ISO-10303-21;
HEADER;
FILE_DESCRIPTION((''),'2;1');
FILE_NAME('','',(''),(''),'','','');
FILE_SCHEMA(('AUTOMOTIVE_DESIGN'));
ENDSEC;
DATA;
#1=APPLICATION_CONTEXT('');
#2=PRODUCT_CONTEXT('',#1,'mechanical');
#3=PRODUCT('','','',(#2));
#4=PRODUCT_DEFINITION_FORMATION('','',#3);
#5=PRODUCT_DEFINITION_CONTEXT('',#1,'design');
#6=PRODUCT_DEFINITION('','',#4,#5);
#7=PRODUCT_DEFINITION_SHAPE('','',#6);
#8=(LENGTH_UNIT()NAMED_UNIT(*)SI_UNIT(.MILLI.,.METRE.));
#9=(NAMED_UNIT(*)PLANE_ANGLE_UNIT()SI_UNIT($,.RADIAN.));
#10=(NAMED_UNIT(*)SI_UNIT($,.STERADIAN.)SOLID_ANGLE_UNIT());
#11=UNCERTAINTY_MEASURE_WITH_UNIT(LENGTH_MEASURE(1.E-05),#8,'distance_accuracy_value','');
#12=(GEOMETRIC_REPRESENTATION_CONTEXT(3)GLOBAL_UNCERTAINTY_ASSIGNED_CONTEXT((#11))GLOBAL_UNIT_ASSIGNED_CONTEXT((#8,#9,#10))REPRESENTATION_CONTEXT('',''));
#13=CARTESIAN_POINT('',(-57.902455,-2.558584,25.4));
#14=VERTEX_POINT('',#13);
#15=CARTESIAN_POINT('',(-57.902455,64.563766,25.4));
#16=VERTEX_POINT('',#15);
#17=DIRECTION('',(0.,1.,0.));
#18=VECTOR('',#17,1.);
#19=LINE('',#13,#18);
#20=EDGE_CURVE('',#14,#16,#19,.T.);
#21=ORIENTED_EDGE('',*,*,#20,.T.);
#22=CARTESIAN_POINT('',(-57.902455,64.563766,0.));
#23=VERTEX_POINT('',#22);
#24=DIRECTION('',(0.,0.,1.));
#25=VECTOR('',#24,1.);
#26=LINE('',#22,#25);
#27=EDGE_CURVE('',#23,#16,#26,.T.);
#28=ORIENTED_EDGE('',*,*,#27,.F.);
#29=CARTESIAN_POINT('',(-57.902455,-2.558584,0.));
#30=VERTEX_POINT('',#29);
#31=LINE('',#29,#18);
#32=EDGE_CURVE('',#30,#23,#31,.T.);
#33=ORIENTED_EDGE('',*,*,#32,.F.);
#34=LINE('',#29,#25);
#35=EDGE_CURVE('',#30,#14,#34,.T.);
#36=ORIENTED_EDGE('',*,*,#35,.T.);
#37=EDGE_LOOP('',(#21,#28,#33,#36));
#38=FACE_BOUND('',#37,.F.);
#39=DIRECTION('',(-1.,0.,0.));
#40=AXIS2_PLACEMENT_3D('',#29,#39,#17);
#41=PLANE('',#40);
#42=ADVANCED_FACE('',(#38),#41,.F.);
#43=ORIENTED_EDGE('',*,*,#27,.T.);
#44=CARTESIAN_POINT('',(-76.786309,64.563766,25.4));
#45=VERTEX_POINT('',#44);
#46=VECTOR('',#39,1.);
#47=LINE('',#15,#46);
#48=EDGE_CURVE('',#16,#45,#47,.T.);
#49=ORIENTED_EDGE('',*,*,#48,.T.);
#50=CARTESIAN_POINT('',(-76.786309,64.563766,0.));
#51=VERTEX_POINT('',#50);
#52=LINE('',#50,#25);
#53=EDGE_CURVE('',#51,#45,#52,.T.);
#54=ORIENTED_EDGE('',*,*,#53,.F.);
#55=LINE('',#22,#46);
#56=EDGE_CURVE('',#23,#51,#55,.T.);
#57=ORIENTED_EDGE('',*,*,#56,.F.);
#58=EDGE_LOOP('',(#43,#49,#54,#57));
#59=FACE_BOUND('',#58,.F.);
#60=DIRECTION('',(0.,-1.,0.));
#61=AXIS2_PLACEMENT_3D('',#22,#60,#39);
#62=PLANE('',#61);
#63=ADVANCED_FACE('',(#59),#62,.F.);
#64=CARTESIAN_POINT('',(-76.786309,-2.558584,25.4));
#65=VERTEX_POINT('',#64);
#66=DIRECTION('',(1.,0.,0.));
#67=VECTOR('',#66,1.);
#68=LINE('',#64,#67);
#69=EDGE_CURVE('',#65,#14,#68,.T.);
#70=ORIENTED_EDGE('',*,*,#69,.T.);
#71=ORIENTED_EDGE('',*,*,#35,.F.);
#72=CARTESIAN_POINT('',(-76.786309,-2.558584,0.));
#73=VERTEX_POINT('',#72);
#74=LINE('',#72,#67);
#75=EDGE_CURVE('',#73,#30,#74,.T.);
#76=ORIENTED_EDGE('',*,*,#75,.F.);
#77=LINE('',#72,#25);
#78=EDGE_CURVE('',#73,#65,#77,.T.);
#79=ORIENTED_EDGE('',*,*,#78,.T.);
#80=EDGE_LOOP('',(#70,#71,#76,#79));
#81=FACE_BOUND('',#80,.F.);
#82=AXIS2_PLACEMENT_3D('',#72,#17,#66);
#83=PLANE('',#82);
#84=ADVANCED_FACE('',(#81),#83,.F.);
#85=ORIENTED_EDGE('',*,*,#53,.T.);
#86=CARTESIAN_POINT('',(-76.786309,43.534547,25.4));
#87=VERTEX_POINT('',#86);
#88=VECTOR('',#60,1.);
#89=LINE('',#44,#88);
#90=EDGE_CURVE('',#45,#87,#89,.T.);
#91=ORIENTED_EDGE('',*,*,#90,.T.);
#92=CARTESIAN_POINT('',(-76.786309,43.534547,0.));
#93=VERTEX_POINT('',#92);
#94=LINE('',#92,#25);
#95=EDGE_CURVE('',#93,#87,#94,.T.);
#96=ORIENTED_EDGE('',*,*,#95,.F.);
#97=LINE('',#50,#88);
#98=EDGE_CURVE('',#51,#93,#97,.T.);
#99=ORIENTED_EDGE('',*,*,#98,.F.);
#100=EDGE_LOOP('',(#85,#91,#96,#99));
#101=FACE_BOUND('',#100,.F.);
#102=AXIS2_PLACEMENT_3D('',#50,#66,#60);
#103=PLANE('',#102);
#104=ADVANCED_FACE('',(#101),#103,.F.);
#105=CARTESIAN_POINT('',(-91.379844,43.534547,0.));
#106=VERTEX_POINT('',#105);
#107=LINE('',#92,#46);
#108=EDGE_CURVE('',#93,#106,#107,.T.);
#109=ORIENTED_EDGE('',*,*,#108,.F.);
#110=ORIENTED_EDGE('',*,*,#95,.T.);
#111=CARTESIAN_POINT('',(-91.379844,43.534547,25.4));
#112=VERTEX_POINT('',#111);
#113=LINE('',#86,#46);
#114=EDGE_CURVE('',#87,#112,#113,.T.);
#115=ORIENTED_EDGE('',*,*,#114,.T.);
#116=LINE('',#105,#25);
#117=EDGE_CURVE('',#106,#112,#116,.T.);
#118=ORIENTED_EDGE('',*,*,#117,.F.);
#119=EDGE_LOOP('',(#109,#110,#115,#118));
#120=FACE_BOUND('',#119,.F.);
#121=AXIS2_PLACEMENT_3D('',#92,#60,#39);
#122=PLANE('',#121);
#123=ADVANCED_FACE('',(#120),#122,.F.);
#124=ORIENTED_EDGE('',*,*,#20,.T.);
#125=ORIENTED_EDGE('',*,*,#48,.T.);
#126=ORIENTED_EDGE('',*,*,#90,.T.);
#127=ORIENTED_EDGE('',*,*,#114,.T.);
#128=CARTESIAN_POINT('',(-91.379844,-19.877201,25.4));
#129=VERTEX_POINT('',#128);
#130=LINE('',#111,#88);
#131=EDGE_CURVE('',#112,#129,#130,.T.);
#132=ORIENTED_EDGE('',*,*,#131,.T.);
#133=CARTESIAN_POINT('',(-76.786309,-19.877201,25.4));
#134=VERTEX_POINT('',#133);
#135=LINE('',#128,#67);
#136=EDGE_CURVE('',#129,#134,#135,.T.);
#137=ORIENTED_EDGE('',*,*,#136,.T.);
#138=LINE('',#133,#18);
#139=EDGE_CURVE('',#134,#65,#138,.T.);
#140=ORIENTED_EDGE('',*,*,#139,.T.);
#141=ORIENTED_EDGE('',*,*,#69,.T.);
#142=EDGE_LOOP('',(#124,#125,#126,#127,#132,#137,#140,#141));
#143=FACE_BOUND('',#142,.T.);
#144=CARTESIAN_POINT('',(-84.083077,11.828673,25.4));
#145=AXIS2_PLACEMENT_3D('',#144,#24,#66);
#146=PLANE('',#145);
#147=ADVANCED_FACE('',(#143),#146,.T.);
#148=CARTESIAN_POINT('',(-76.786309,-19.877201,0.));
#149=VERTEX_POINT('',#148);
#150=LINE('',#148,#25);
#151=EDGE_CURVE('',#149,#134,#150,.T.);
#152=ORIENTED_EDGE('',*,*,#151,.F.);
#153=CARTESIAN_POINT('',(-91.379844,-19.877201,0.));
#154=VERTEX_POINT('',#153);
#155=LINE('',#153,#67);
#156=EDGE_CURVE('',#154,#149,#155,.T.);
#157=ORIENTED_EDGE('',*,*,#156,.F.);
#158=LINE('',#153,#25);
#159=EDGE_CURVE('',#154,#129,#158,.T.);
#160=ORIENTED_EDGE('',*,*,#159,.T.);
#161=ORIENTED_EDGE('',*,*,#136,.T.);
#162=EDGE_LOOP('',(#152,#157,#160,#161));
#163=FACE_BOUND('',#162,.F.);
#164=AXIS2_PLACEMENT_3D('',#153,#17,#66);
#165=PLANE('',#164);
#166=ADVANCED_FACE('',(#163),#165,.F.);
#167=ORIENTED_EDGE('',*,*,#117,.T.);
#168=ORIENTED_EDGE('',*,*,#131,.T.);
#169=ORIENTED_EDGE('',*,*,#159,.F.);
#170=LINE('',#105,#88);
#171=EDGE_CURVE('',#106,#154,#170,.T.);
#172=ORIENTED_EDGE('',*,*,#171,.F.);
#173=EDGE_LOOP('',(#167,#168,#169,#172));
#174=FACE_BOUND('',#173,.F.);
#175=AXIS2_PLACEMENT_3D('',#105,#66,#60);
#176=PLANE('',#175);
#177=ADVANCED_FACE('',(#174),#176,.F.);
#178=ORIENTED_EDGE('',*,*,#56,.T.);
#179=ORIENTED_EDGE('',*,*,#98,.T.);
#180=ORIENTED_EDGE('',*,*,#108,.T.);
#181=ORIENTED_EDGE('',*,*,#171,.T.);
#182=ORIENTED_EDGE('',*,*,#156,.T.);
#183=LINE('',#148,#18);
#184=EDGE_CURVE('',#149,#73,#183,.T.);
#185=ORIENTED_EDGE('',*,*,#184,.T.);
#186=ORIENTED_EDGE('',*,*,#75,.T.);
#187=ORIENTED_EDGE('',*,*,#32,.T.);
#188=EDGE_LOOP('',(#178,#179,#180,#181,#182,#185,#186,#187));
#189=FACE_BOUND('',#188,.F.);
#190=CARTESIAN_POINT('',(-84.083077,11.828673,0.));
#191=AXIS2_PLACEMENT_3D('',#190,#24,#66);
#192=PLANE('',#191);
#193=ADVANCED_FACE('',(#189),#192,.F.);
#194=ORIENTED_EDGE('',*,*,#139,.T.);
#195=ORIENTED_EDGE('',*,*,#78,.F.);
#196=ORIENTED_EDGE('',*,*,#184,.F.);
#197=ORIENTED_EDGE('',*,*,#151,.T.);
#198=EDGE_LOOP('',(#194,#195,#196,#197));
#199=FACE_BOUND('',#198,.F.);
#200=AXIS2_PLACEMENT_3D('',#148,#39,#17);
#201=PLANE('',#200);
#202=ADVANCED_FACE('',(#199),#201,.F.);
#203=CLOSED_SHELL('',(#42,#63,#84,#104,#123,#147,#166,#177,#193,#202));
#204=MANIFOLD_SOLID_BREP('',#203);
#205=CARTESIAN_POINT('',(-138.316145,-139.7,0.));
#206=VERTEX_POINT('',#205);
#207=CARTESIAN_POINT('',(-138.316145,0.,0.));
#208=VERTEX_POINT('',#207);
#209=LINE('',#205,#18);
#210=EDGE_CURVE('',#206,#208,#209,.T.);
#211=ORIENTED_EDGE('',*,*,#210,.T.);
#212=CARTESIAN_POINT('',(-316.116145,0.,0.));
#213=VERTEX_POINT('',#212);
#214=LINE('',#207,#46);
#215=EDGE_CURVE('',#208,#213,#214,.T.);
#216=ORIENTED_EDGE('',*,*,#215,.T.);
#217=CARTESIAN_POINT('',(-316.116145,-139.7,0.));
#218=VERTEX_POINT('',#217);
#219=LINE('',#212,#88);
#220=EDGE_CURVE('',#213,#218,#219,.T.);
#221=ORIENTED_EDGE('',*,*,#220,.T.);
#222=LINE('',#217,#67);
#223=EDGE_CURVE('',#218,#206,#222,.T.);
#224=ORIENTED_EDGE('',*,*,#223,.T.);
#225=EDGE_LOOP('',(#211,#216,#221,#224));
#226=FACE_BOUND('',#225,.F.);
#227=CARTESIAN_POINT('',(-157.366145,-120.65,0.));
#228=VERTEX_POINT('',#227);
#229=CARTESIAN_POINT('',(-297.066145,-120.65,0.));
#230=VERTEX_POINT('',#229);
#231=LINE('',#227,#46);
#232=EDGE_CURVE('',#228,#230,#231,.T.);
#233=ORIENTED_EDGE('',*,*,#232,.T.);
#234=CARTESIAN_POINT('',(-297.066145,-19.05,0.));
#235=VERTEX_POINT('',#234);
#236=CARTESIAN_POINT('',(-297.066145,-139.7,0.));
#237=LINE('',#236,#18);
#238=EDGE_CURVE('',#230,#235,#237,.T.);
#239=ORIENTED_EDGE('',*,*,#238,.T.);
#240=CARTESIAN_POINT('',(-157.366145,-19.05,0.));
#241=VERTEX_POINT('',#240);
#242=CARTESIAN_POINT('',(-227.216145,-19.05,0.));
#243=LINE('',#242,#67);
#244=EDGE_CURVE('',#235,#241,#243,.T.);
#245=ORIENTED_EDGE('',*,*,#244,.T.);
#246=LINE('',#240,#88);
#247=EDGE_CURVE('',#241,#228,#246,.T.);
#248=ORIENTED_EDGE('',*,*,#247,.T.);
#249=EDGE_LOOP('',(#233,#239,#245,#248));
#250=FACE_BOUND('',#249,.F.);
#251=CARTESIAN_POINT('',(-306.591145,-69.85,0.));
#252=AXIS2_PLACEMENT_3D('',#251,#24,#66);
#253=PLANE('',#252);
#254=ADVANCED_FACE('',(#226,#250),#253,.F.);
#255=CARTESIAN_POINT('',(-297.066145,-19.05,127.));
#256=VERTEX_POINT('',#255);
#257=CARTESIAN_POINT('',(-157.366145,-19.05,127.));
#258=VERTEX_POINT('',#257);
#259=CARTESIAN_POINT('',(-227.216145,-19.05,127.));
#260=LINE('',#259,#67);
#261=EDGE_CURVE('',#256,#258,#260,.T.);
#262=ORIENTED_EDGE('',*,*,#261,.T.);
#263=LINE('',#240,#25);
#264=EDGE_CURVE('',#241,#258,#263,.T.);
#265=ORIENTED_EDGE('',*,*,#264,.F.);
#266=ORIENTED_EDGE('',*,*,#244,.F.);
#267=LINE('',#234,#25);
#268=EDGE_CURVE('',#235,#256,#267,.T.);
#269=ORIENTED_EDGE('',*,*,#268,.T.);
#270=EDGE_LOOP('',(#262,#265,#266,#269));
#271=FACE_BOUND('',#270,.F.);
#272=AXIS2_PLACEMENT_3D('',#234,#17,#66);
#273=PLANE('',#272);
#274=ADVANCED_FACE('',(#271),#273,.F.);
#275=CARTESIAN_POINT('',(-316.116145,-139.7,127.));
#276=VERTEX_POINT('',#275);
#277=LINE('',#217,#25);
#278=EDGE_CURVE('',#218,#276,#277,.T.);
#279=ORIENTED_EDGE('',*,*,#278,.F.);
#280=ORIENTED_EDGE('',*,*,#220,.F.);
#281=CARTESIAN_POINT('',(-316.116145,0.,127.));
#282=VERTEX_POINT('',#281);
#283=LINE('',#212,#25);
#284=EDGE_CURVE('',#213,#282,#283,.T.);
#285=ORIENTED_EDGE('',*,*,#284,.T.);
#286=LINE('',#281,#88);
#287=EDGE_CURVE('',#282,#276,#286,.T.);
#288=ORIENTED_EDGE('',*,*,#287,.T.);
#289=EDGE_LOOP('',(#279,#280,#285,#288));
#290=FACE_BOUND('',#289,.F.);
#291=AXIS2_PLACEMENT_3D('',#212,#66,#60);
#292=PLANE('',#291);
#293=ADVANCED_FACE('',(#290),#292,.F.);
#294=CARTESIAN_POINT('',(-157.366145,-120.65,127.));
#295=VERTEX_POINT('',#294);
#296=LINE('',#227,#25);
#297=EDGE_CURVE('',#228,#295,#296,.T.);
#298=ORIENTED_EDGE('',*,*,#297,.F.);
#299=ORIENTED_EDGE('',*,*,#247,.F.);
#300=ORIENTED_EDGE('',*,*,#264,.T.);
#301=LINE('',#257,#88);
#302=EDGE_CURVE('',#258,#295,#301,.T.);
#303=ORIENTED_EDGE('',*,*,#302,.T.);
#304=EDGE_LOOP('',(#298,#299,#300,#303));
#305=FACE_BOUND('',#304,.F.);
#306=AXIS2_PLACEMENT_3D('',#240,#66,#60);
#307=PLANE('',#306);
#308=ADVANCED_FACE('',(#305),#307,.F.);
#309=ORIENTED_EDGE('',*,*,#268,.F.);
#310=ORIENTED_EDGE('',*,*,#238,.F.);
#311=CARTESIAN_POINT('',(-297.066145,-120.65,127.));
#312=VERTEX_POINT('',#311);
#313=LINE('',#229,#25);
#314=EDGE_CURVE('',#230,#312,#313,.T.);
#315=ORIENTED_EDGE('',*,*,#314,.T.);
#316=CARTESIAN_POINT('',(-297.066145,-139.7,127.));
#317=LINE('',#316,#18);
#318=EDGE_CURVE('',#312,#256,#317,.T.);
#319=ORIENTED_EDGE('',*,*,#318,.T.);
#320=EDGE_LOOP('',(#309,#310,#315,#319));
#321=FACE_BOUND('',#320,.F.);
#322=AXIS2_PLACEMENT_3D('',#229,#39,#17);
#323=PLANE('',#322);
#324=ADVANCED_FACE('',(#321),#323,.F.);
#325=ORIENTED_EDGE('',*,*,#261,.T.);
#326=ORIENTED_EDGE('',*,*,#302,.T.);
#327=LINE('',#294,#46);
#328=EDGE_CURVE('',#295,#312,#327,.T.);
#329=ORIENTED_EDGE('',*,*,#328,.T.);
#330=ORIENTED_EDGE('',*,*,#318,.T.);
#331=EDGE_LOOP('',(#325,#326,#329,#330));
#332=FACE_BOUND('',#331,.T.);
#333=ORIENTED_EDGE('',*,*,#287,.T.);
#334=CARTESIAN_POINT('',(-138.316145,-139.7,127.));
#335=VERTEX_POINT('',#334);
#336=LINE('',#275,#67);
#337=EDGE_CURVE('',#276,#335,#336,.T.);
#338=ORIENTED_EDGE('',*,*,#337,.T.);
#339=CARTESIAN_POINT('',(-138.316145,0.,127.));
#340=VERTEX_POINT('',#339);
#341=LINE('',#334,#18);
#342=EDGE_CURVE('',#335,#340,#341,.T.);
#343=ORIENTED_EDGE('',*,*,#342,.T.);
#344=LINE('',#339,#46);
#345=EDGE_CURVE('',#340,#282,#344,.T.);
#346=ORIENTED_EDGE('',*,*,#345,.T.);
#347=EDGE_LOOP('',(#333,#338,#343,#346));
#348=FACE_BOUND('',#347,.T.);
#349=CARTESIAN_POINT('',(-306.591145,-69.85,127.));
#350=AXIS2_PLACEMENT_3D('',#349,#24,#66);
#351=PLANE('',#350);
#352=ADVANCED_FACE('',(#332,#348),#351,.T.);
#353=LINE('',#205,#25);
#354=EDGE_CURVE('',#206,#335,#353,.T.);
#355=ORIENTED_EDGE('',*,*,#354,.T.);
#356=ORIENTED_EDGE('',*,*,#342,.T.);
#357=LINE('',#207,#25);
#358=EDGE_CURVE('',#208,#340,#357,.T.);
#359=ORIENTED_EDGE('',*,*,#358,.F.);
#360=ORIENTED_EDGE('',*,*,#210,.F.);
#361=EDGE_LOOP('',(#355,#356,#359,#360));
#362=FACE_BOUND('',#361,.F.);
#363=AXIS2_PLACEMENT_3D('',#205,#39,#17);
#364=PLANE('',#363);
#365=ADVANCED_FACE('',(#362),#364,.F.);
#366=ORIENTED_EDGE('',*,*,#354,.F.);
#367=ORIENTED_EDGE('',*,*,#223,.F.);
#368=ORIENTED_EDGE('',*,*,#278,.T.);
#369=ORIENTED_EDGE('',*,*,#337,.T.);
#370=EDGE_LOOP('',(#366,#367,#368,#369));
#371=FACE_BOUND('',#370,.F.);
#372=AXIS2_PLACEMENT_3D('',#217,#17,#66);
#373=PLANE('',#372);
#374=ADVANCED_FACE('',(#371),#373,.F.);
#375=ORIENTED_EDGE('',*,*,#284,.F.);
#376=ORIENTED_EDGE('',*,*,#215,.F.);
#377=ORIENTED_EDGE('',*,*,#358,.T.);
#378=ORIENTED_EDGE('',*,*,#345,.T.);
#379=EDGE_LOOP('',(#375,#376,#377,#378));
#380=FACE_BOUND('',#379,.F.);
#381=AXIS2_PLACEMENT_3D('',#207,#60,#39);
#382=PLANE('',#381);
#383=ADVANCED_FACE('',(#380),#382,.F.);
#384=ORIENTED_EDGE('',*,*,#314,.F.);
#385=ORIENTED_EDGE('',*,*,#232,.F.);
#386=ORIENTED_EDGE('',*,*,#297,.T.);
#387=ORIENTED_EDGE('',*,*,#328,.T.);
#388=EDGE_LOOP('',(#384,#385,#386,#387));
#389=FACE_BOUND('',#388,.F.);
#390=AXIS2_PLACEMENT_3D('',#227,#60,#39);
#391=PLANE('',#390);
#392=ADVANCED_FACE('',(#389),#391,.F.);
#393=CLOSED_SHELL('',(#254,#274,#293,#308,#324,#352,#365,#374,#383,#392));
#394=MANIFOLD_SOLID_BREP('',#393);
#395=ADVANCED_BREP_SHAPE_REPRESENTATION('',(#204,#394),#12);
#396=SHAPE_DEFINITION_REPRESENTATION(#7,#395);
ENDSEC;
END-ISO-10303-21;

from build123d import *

# Parameters (mm, degrees)
F0_W     = 139.7
F0_H     = 19.05
F1_DEPTH = 127
F3_DEPTH = 25.4


with BuildPart() as f1:
    # F0 (on Top) → F1 (new body)
    with BuildSketch(Plane.XY):
        Polygon((-297.066145, 0), (-316.116145, 0), (-316.116145, -139.7), (-297.066145, -139.7), (-297.066145, -120.65), (-297.066145, -19.05), align=None)
        with Locations((-227.216145, -9.525)):
            Rectangle(F0_W, F0_H)
        Polygon((-138.316145, 0), (-157.366145, 0), (-157.366145, -19.05), (-157.366145, -120.65), (-157.366145, -139.7), (-138.316145, -139.7), align=None)
        Polygon((-297.066145, -120.65), (-297.066145, -139.7), (-296.983391, -139.7), (-157.366145, -139.7), (-157.366145, -120.65), align=None)
    extrude(amount=F1_DEPTH)


with BuildPart() as f3:
    # F2 (on Top) → F3 (new body)
    with BuildSketch(Plane.XY):
        Polygon((-76.786309, 43.534547), (-91.379844, 43.534547), (-91.379844, -19.877201), (-76.786309, -19.877201), (-76.786309, -2.558584), align=None)
        Polygon((-76.786309, 64.563766), (-76.786309, 43.534547), (-76.786309, -2.558584), (-57.902455, -2.558584), (-57.902455, 64.563766), align=None)
    extrude(amount=F3_DEPTH)


solid = Compound([f1.part, f3.part])
